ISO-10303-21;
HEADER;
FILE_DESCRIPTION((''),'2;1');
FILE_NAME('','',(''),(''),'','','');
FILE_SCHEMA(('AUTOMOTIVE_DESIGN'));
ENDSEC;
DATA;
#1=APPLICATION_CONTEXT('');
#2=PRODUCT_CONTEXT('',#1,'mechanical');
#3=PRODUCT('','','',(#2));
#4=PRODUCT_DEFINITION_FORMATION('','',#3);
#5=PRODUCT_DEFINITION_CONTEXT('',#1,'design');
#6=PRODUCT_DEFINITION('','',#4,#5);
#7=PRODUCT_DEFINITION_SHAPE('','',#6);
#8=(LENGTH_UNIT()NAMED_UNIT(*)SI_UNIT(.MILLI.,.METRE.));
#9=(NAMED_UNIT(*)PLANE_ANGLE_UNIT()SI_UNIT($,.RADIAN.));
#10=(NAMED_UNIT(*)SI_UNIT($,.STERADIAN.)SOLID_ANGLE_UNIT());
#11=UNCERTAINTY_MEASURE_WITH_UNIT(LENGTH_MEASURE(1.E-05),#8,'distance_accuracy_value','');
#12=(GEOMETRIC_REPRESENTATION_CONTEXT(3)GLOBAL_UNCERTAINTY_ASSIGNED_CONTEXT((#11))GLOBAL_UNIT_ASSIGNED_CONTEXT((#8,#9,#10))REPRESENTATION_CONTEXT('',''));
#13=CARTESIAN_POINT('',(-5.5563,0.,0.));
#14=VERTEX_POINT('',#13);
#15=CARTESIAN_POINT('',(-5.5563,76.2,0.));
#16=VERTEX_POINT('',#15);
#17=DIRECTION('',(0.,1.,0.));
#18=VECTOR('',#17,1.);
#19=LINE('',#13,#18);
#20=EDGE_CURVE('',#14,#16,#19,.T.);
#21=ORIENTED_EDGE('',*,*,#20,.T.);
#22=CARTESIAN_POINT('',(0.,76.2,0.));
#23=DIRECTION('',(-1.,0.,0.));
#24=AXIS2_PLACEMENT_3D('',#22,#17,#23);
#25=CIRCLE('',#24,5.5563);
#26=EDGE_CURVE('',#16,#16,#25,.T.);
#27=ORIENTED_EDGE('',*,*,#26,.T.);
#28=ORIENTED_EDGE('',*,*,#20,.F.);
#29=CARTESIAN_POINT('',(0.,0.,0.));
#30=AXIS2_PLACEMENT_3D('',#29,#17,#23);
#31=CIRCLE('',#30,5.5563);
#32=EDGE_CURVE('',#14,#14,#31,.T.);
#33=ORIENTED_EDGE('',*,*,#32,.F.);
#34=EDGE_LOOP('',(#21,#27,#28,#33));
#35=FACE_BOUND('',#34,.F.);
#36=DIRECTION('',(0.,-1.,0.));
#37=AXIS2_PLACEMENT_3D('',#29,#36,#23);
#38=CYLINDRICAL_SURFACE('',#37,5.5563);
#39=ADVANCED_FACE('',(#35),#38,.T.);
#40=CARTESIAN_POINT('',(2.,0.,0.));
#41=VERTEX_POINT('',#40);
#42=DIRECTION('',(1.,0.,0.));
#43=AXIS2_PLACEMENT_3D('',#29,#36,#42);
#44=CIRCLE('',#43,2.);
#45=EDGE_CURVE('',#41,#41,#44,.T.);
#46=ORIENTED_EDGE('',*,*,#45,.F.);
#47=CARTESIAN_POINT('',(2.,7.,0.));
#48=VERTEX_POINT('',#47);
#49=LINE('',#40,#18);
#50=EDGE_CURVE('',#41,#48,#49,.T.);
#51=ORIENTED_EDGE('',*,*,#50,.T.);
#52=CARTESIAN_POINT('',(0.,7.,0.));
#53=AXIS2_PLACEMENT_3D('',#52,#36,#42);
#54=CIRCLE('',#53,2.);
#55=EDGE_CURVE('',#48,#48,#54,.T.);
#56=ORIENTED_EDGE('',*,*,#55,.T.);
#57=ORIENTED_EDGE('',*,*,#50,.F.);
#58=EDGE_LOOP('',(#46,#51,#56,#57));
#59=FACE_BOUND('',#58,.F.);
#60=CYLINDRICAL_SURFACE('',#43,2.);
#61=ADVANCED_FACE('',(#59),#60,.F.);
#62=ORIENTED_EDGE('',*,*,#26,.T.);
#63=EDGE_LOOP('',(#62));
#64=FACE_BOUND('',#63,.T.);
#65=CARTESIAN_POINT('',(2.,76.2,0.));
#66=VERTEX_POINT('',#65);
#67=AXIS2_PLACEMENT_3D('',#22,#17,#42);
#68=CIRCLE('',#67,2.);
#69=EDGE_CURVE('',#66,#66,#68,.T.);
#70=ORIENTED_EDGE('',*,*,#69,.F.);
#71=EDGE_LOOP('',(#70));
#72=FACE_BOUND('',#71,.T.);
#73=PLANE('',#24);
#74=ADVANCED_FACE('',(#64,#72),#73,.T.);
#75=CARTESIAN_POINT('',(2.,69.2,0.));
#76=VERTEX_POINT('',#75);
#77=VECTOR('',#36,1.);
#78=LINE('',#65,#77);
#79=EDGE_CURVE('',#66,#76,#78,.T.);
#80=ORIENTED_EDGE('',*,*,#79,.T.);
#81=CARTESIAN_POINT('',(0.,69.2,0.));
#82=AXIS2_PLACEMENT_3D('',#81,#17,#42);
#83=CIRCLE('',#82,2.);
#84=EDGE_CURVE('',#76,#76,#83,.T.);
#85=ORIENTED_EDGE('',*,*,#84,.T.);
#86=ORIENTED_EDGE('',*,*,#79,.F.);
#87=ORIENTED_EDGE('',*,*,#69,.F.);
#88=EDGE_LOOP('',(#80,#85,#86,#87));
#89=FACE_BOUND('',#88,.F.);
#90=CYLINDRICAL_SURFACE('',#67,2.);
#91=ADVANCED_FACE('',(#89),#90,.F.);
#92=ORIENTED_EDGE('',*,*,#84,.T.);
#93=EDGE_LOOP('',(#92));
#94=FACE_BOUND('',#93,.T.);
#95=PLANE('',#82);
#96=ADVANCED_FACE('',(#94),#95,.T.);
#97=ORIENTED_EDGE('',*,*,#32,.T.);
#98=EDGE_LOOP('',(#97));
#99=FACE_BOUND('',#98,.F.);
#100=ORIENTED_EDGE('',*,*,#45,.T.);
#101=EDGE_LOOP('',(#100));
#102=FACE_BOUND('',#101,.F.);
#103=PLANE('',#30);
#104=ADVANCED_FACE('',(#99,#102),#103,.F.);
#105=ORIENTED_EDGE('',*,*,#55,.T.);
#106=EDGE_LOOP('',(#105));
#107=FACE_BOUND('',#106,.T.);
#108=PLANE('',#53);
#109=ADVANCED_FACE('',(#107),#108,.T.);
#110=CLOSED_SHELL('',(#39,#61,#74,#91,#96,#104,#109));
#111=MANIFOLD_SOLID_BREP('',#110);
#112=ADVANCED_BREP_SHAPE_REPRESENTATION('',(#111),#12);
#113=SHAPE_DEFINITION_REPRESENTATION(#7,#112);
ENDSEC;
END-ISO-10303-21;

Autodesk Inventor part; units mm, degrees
ref_plane "YZ Plane" through (0, 0, 0) normal (1, 0, 0) x (0, 1, 0)
ref_plane "XZ Plane" through (0, 0, 0) normal (0, 1, 0) x (-1, 0, 0)
ref_plane "XY Plane" through (0, 0, 0) normal (0, 0, 1) x (1, 0, 0)
sketch "Sketch1" plane through (0, 0, 0) normal (0, 1, 0) x (-1, 0, 0)
  circle A0 centre (0, 0) radius 5.5563
  dimension "d0" = 11.1125
extrude "Extrusion1" add sketch "Sketch1" along normal blind 76.2
sketch "Sketch2" plane through (0, 0, 0) normal (0, -1, 0) x (1, 0, 0)
  circle A0 centre (0, 0) radius 2
  dimension "d3" = 4
sketch "Sketch3" plane through (0, 76.2, 0) normal (0, 1, 0) x (1, 0, 0)
  circle A0 centre (0, 0) radius 2
  dimension "d4" = 4
extrude "Extrusion2" cut sketch "Sketch3" against normal blind 7
extrude "Extrusion3" cut sketch "Sketch2" against normal blind 7
equation "\"d3\" = m3_heat_set_insert"
equation "\"d4\" = m3_heat_set_insert"
equation "\"d5\" = m3_heat_set_depth"
equation "\"d7\" = m3_heat_set_depth"
equation "\"m3_heat_set_insert\" = 4"
equation "\"m3_clearance\" = 3.4"
equation "\"m3_heat_set_depth\" = 7"
equation "\"hardboard_thickness\" = 5"
equation "\"robot_diameter\" = 354"
equation "\"motor_centerline_height\" = 13"
properties part number "3inch_standoff"
